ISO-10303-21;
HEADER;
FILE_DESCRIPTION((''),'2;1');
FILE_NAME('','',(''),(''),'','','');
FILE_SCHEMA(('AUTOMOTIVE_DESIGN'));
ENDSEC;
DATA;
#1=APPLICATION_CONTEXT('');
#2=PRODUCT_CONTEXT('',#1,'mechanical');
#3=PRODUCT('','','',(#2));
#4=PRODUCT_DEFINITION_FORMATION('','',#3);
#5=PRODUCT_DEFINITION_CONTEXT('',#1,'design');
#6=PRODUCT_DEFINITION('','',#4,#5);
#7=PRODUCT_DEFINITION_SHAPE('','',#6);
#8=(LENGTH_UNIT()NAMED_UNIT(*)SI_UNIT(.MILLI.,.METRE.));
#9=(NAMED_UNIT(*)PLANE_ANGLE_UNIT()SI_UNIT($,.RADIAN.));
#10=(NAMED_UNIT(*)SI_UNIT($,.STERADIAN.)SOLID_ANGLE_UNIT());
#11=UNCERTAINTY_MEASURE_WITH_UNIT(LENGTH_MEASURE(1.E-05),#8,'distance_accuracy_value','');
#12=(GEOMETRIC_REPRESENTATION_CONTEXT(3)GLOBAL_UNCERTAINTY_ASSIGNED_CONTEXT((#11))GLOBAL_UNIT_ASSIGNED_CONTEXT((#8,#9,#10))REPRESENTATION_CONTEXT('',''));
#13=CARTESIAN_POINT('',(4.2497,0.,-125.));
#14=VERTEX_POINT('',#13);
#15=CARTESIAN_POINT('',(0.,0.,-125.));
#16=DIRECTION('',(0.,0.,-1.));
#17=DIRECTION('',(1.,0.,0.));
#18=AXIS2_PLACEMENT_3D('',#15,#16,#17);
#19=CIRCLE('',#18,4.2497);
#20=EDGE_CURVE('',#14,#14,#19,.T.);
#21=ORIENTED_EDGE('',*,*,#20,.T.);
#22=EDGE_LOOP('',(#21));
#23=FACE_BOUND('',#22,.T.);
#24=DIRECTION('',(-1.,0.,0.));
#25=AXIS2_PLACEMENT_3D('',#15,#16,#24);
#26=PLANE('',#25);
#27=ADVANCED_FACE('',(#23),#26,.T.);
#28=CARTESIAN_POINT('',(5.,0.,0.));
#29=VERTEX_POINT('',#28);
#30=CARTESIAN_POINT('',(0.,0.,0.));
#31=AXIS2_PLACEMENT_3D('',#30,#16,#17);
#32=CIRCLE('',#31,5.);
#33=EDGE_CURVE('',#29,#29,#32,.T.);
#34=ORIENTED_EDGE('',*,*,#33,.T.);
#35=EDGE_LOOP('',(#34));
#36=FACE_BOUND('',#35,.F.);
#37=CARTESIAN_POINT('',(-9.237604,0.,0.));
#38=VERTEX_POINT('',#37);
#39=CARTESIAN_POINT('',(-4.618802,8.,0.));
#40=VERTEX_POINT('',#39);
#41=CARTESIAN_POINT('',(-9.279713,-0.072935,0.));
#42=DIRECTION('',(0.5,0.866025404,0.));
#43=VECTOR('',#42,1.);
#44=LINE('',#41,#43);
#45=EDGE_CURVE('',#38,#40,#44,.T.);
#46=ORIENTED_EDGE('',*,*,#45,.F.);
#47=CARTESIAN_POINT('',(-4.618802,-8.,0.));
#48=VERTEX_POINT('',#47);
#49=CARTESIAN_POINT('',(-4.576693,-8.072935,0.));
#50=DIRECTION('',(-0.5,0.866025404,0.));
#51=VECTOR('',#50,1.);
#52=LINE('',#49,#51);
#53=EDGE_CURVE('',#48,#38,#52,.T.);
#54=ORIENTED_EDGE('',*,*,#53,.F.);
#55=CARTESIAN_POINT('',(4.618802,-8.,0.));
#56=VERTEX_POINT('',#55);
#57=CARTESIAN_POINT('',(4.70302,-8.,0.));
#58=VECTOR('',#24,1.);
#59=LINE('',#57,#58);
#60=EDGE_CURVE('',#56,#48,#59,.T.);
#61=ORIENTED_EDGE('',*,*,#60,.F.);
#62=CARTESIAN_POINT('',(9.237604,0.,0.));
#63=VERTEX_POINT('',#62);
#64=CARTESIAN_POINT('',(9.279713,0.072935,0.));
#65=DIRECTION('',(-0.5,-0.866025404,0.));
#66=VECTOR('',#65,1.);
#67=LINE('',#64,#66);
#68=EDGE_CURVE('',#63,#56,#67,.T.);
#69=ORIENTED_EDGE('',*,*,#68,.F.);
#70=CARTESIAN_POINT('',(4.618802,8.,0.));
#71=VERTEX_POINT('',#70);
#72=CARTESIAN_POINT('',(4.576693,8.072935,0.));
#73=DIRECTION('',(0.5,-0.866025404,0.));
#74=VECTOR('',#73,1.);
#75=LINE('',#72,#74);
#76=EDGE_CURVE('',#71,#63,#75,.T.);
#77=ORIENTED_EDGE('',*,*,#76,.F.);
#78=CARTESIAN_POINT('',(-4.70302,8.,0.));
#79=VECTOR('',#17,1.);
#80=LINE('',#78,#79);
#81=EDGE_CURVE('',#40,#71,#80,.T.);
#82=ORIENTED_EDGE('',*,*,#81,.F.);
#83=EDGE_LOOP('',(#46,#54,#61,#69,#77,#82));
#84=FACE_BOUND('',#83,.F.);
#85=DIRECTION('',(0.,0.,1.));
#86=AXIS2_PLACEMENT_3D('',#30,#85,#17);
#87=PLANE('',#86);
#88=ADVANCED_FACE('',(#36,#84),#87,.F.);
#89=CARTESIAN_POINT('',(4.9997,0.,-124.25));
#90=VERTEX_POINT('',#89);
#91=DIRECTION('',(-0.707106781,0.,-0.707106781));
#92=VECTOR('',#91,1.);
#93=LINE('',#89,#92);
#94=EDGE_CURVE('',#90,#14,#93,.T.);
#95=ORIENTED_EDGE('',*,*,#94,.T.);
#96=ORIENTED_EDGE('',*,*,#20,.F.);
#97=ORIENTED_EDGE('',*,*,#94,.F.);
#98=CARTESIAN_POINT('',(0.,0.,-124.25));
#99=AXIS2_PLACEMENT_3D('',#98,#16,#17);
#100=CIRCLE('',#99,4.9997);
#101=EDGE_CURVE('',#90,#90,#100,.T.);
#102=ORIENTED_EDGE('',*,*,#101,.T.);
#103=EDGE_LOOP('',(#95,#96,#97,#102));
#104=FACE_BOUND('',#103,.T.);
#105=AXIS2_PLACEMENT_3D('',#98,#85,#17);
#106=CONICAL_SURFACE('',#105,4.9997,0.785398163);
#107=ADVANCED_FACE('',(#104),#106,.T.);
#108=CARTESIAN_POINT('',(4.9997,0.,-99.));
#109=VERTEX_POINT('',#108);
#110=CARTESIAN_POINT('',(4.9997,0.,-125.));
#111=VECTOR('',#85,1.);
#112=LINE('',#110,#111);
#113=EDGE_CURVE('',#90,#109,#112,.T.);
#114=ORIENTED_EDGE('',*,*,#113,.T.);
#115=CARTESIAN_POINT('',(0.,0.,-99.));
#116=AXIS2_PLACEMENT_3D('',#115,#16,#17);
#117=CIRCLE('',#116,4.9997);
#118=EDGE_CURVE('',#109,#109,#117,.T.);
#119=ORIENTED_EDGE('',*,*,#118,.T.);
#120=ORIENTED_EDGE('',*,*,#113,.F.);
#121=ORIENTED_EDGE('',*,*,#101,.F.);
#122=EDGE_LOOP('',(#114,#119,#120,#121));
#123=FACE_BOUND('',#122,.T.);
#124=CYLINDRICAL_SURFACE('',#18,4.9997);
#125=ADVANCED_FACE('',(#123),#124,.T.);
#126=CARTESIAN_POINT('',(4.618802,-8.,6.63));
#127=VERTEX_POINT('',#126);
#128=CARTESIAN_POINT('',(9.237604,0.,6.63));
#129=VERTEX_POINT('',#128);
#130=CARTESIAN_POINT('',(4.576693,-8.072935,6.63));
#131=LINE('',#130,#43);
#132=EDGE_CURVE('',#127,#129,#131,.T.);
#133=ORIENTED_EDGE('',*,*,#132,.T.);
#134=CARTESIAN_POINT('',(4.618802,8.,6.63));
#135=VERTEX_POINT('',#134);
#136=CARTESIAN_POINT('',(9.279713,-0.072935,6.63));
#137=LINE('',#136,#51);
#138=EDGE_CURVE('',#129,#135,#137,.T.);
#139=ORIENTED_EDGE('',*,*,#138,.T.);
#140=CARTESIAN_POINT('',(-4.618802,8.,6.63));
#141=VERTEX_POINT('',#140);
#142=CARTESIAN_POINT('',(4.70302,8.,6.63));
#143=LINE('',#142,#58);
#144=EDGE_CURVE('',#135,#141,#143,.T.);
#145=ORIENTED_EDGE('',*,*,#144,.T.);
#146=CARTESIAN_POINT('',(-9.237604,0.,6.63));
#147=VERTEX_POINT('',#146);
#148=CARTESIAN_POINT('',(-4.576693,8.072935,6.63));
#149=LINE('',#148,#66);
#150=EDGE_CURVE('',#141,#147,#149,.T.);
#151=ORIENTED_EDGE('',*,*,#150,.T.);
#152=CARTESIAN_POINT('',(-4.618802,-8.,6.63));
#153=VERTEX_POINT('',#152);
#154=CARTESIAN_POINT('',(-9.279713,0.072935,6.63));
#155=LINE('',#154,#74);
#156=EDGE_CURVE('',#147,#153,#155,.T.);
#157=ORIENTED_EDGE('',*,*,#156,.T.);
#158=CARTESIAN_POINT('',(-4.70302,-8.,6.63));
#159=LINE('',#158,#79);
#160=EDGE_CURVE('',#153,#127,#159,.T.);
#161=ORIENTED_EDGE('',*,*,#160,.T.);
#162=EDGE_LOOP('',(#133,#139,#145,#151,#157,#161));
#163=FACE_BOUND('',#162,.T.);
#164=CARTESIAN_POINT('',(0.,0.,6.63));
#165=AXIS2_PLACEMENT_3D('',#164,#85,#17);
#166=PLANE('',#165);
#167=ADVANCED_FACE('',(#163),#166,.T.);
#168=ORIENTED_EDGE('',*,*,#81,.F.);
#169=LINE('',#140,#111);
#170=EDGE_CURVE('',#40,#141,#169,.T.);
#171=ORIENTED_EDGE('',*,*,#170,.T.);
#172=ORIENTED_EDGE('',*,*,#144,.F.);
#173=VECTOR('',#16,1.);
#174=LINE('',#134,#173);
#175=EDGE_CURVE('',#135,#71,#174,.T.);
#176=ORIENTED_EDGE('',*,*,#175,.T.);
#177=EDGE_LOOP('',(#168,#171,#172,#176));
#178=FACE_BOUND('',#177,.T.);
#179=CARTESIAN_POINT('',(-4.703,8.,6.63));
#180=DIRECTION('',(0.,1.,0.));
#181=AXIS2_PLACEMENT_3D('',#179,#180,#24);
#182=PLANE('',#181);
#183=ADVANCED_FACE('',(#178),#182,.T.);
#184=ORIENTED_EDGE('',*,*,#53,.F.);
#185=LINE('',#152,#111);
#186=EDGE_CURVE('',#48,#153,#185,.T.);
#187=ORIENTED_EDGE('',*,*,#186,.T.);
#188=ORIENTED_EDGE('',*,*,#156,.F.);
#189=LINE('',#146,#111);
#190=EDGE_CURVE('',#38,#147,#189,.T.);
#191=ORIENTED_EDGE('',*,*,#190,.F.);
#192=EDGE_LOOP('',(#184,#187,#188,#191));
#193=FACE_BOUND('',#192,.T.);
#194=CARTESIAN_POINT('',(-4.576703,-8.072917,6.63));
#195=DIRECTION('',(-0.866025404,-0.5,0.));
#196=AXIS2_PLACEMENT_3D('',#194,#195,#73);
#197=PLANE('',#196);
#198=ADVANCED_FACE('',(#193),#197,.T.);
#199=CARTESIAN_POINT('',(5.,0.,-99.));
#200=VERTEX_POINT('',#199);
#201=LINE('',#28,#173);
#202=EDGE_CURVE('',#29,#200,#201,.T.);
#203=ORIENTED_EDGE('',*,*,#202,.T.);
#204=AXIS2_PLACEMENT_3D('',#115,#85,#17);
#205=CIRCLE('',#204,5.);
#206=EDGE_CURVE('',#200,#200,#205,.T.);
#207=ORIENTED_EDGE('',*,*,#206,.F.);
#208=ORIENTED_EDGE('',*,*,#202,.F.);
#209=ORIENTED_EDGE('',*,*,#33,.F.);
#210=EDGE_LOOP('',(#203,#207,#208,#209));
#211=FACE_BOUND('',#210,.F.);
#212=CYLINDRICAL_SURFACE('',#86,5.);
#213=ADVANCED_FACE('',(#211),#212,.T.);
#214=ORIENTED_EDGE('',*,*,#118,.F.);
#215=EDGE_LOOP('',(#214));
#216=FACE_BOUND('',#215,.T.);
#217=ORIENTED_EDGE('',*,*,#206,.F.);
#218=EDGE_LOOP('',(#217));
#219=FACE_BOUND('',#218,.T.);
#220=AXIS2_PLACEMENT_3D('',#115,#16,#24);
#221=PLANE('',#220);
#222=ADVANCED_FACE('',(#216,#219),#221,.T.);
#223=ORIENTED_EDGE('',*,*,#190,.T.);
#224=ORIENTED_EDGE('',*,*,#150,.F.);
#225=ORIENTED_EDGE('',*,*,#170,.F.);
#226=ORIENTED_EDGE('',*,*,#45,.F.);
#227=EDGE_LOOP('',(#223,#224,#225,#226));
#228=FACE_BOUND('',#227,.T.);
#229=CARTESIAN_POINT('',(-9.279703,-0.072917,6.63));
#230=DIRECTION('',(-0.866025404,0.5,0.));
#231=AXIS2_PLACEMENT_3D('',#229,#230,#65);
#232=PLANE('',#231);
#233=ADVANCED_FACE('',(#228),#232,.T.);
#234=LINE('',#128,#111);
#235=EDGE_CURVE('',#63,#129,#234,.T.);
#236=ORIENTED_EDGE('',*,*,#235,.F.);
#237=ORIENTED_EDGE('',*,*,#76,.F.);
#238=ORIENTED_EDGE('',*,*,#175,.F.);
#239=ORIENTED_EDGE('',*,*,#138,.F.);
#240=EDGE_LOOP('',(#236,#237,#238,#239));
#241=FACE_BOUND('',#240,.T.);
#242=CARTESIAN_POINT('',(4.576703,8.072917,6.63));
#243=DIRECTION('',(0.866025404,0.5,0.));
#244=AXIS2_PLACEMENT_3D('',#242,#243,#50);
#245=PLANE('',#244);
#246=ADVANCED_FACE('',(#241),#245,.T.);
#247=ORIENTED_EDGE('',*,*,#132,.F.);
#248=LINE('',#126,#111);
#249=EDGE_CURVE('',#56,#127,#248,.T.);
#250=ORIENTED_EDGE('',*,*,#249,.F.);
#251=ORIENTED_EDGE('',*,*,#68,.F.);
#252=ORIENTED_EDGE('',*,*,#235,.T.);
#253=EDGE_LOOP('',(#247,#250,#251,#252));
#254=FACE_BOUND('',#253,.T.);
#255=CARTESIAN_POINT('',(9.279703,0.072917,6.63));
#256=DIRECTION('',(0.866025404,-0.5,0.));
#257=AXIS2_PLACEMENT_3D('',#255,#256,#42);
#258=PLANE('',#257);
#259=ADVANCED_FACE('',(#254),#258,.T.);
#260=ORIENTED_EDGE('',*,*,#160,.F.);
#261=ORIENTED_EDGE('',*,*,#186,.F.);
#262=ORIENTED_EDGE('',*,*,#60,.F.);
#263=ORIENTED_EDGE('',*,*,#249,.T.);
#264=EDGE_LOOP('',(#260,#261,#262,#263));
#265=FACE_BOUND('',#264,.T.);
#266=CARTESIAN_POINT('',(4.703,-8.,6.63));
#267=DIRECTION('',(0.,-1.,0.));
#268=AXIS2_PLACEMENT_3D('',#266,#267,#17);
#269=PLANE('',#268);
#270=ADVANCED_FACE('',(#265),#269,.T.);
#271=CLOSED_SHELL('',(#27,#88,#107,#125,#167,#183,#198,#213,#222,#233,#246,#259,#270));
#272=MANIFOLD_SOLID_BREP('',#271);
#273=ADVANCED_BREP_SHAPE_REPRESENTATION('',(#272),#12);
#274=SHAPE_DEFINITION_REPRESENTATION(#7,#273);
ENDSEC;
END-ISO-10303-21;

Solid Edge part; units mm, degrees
sketch "Sketch1" plane through (0, 0, 0) normal (0, 0, 1) x (1, 0, 0)
  circle A0 centre (0, 0) radius 9.28
  dimension "D1" = 18.56
extrude "Protrusion1" add sketch "Sketch1" along normal blind 6.63
sketch "Sketch2" plane through (0, 0, 0) normal (0, 0, -1) x (1, 0, 0)
  circle A0 centre (0, 0) radius 5
extrude "Protrusion2" add sketch "Sketch2" along normal blind 125
sketch "Sketch3" plane through (0, 0, -125) normal (0, 0, -1) x (1, 0, 0)
  circle A0 centre (0, 0) radius 4.9997
extrude "Cutout1" cut sketch "Sketch3" against normal blind 26 flip side to cut
chamfer "Chamfer_1" distance 0.75 angle 45 1 edges at (-4.9997, 0, -125)
sketch "Sketch4" plane through (0, 0, 6.63) normal (0, 0, 1) x (1, 0, 0)
  line L0 (-4.703, 8) -> (4.703, 8)
  dimension "D1" = 16
extrude "Cutout2" cut sketch "Sketch4" against normal up to next material side at (0, 8.05, 6.63)
pattern_circular "Pattern1" count 6 over 360 about axis through (0, 0, 6.63) along (0, 0, 1) of "Cutout2"
properties part number "185544"
